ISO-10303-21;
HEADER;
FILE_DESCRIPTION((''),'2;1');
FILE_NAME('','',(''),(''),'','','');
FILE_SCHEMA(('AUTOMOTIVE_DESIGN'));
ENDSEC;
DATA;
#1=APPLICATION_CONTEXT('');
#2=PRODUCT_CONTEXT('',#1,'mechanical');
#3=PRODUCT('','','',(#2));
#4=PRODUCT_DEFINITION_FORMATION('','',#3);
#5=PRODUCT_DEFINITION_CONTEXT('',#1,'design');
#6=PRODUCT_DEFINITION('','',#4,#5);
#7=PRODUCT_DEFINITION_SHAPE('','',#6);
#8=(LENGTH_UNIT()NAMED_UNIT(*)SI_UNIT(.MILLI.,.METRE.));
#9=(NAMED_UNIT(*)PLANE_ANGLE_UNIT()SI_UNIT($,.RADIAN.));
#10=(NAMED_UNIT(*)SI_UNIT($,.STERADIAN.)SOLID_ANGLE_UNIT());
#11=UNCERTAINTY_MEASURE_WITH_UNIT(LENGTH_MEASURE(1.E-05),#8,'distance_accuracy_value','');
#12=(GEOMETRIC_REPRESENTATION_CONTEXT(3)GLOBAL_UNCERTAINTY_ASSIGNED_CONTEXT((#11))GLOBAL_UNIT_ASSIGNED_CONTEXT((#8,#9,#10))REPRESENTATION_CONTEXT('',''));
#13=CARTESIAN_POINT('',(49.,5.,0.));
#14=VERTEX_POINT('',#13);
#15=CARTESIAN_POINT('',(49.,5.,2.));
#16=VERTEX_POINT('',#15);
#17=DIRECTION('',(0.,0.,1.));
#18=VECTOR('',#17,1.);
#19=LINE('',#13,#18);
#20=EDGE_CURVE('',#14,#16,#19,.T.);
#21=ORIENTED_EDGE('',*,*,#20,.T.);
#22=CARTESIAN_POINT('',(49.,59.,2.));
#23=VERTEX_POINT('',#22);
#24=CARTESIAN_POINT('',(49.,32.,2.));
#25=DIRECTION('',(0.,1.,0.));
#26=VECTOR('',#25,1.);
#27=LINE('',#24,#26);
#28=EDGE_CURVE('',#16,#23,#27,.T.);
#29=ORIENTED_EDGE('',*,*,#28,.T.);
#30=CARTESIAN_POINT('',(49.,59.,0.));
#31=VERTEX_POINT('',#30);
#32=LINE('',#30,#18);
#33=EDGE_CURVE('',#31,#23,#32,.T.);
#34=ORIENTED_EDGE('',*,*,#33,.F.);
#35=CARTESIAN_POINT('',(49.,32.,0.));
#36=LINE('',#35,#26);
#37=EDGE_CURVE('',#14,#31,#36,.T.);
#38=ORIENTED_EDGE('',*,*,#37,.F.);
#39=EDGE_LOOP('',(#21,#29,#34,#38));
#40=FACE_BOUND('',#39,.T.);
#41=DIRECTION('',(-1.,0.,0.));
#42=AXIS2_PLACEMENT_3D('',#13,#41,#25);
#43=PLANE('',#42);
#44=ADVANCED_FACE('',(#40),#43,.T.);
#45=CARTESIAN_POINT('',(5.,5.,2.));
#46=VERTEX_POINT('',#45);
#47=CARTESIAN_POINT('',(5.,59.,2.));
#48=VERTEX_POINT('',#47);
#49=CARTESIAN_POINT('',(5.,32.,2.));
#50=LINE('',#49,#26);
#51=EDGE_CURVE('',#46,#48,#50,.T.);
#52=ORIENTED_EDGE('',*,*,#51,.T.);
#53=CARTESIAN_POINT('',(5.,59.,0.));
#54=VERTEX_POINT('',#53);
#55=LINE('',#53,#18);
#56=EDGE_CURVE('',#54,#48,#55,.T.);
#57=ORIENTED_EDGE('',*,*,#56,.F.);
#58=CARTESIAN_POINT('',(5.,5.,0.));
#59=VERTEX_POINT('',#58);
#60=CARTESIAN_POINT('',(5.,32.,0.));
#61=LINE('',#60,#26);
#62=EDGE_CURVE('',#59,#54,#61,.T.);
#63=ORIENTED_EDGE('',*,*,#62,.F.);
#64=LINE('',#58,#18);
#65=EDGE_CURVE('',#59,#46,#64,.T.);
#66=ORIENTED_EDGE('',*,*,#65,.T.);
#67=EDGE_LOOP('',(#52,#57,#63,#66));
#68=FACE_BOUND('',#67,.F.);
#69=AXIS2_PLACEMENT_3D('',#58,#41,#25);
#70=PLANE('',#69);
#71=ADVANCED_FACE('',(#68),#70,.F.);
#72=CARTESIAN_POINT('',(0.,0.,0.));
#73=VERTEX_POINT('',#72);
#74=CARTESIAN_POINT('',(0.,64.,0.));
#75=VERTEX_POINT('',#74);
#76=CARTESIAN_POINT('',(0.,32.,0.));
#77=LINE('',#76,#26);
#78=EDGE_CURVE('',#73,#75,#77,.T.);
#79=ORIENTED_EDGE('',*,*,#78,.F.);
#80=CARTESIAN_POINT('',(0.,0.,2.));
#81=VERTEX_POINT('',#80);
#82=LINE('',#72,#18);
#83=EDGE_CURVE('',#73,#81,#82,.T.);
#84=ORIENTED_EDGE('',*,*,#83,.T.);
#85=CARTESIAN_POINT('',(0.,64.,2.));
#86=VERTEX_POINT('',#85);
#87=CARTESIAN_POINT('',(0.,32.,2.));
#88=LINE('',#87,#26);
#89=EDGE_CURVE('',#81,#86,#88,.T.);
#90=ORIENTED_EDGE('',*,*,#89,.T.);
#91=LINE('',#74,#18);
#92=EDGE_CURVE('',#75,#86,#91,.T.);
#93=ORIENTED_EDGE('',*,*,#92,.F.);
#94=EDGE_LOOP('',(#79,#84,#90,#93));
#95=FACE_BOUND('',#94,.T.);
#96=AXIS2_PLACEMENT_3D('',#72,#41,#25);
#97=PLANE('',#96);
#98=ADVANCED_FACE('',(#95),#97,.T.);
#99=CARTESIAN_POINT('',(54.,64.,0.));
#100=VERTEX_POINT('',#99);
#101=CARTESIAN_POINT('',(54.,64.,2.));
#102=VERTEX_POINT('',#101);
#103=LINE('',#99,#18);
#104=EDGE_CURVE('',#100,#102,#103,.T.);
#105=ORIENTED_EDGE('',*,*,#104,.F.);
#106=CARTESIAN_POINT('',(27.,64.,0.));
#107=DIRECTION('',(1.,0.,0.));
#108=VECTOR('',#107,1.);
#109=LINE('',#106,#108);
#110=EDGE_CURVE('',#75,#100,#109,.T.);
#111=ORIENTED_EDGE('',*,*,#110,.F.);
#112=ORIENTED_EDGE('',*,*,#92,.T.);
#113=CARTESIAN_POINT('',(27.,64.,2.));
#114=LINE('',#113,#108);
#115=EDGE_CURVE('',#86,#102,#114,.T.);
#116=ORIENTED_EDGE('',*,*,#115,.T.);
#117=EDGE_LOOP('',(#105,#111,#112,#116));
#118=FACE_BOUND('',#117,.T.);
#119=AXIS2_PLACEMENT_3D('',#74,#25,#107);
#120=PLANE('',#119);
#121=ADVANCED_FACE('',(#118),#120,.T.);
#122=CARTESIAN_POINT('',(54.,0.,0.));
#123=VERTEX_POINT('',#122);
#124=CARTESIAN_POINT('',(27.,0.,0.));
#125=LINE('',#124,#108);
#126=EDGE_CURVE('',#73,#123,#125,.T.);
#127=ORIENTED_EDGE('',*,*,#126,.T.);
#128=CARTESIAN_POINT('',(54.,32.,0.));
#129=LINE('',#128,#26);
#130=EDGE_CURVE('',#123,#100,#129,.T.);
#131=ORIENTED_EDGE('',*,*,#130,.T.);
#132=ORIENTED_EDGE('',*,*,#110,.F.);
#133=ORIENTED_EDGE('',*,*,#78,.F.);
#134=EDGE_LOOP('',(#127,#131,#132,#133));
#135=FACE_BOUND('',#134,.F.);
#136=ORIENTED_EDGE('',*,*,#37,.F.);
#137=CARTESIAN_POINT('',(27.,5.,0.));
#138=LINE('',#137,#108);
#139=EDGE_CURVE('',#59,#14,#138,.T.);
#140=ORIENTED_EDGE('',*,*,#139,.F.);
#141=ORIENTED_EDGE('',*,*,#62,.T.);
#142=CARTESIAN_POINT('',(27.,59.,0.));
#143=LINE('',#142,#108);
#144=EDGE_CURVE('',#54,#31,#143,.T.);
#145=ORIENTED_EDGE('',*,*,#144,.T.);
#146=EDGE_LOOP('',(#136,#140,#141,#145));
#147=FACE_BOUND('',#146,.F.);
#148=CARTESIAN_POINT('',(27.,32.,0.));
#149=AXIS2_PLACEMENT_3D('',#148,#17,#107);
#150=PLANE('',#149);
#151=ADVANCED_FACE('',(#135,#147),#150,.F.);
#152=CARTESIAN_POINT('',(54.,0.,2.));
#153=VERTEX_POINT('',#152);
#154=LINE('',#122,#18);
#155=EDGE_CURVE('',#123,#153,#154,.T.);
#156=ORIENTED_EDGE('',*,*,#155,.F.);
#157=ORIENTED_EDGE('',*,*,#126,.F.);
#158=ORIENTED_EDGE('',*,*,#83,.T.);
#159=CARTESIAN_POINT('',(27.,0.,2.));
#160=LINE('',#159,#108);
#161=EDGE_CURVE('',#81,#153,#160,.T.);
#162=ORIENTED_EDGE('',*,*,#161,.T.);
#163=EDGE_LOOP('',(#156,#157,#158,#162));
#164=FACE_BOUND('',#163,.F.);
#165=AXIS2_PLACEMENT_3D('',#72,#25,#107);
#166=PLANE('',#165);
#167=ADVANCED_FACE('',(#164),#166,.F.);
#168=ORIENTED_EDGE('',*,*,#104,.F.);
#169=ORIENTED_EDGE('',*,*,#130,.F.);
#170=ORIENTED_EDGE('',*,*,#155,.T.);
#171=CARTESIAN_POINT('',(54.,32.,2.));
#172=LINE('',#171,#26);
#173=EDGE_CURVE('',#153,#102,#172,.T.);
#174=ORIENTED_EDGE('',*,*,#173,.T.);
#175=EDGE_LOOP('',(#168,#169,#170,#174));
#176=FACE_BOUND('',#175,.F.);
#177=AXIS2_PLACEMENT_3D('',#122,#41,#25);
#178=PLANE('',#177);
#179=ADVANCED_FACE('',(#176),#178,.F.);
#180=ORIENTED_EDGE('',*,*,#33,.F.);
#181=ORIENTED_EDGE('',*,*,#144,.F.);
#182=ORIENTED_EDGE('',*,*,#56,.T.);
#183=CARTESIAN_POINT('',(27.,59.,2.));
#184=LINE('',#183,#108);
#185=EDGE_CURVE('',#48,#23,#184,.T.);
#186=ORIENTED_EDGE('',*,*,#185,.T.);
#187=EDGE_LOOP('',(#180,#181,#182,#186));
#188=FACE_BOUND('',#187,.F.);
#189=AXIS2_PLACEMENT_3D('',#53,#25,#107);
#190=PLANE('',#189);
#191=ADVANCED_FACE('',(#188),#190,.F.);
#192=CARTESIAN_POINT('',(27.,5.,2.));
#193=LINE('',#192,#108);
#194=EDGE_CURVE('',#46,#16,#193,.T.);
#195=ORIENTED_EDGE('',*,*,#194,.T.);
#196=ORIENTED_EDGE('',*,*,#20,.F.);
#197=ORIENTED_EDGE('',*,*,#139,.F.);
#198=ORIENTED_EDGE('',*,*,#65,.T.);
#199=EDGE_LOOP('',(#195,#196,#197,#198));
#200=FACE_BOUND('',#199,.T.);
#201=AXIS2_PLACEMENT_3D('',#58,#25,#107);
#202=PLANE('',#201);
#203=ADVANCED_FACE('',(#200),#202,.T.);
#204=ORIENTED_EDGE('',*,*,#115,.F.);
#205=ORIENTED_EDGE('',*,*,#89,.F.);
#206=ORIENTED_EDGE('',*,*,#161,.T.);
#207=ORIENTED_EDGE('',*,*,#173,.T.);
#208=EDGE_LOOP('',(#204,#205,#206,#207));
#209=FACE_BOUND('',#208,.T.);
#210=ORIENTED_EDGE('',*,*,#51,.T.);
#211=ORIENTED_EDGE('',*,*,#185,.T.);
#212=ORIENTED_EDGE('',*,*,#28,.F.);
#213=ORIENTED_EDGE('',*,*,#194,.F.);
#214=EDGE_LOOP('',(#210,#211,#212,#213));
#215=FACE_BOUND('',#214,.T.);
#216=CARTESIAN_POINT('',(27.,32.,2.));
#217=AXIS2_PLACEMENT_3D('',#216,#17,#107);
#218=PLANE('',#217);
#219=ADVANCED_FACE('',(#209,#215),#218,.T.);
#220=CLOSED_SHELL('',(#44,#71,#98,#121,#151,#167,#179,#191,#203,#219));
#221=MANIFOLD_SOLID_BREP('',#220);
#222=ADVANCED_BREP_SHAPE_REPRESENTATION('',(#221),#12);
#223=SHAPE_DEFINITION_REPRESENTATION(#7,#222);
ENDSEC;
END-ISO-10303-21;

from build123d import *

# Parameters (mm, degrees)
SKETCH_W   = 54
SKETCH_H   = 64
SKETCH_W_2 = 44
SKETCH_H_2 = 54
PAD_DEPTH  = 2


with BuildPart() as part:
    # Sketch → Pad (new body)
    with BuildSketch(Plane.XY):
        with Locations((27, 32)):
            Rectangle(SKETCH_W, SKETCH_H)
        with Locations((27, 32)):
            Rectangle(SKETCH_W_2, SKETCH_H_2, mode=Mode.SUBTRACT)
    extrude(amount=PAD_DEPTH)


solid = part.part
